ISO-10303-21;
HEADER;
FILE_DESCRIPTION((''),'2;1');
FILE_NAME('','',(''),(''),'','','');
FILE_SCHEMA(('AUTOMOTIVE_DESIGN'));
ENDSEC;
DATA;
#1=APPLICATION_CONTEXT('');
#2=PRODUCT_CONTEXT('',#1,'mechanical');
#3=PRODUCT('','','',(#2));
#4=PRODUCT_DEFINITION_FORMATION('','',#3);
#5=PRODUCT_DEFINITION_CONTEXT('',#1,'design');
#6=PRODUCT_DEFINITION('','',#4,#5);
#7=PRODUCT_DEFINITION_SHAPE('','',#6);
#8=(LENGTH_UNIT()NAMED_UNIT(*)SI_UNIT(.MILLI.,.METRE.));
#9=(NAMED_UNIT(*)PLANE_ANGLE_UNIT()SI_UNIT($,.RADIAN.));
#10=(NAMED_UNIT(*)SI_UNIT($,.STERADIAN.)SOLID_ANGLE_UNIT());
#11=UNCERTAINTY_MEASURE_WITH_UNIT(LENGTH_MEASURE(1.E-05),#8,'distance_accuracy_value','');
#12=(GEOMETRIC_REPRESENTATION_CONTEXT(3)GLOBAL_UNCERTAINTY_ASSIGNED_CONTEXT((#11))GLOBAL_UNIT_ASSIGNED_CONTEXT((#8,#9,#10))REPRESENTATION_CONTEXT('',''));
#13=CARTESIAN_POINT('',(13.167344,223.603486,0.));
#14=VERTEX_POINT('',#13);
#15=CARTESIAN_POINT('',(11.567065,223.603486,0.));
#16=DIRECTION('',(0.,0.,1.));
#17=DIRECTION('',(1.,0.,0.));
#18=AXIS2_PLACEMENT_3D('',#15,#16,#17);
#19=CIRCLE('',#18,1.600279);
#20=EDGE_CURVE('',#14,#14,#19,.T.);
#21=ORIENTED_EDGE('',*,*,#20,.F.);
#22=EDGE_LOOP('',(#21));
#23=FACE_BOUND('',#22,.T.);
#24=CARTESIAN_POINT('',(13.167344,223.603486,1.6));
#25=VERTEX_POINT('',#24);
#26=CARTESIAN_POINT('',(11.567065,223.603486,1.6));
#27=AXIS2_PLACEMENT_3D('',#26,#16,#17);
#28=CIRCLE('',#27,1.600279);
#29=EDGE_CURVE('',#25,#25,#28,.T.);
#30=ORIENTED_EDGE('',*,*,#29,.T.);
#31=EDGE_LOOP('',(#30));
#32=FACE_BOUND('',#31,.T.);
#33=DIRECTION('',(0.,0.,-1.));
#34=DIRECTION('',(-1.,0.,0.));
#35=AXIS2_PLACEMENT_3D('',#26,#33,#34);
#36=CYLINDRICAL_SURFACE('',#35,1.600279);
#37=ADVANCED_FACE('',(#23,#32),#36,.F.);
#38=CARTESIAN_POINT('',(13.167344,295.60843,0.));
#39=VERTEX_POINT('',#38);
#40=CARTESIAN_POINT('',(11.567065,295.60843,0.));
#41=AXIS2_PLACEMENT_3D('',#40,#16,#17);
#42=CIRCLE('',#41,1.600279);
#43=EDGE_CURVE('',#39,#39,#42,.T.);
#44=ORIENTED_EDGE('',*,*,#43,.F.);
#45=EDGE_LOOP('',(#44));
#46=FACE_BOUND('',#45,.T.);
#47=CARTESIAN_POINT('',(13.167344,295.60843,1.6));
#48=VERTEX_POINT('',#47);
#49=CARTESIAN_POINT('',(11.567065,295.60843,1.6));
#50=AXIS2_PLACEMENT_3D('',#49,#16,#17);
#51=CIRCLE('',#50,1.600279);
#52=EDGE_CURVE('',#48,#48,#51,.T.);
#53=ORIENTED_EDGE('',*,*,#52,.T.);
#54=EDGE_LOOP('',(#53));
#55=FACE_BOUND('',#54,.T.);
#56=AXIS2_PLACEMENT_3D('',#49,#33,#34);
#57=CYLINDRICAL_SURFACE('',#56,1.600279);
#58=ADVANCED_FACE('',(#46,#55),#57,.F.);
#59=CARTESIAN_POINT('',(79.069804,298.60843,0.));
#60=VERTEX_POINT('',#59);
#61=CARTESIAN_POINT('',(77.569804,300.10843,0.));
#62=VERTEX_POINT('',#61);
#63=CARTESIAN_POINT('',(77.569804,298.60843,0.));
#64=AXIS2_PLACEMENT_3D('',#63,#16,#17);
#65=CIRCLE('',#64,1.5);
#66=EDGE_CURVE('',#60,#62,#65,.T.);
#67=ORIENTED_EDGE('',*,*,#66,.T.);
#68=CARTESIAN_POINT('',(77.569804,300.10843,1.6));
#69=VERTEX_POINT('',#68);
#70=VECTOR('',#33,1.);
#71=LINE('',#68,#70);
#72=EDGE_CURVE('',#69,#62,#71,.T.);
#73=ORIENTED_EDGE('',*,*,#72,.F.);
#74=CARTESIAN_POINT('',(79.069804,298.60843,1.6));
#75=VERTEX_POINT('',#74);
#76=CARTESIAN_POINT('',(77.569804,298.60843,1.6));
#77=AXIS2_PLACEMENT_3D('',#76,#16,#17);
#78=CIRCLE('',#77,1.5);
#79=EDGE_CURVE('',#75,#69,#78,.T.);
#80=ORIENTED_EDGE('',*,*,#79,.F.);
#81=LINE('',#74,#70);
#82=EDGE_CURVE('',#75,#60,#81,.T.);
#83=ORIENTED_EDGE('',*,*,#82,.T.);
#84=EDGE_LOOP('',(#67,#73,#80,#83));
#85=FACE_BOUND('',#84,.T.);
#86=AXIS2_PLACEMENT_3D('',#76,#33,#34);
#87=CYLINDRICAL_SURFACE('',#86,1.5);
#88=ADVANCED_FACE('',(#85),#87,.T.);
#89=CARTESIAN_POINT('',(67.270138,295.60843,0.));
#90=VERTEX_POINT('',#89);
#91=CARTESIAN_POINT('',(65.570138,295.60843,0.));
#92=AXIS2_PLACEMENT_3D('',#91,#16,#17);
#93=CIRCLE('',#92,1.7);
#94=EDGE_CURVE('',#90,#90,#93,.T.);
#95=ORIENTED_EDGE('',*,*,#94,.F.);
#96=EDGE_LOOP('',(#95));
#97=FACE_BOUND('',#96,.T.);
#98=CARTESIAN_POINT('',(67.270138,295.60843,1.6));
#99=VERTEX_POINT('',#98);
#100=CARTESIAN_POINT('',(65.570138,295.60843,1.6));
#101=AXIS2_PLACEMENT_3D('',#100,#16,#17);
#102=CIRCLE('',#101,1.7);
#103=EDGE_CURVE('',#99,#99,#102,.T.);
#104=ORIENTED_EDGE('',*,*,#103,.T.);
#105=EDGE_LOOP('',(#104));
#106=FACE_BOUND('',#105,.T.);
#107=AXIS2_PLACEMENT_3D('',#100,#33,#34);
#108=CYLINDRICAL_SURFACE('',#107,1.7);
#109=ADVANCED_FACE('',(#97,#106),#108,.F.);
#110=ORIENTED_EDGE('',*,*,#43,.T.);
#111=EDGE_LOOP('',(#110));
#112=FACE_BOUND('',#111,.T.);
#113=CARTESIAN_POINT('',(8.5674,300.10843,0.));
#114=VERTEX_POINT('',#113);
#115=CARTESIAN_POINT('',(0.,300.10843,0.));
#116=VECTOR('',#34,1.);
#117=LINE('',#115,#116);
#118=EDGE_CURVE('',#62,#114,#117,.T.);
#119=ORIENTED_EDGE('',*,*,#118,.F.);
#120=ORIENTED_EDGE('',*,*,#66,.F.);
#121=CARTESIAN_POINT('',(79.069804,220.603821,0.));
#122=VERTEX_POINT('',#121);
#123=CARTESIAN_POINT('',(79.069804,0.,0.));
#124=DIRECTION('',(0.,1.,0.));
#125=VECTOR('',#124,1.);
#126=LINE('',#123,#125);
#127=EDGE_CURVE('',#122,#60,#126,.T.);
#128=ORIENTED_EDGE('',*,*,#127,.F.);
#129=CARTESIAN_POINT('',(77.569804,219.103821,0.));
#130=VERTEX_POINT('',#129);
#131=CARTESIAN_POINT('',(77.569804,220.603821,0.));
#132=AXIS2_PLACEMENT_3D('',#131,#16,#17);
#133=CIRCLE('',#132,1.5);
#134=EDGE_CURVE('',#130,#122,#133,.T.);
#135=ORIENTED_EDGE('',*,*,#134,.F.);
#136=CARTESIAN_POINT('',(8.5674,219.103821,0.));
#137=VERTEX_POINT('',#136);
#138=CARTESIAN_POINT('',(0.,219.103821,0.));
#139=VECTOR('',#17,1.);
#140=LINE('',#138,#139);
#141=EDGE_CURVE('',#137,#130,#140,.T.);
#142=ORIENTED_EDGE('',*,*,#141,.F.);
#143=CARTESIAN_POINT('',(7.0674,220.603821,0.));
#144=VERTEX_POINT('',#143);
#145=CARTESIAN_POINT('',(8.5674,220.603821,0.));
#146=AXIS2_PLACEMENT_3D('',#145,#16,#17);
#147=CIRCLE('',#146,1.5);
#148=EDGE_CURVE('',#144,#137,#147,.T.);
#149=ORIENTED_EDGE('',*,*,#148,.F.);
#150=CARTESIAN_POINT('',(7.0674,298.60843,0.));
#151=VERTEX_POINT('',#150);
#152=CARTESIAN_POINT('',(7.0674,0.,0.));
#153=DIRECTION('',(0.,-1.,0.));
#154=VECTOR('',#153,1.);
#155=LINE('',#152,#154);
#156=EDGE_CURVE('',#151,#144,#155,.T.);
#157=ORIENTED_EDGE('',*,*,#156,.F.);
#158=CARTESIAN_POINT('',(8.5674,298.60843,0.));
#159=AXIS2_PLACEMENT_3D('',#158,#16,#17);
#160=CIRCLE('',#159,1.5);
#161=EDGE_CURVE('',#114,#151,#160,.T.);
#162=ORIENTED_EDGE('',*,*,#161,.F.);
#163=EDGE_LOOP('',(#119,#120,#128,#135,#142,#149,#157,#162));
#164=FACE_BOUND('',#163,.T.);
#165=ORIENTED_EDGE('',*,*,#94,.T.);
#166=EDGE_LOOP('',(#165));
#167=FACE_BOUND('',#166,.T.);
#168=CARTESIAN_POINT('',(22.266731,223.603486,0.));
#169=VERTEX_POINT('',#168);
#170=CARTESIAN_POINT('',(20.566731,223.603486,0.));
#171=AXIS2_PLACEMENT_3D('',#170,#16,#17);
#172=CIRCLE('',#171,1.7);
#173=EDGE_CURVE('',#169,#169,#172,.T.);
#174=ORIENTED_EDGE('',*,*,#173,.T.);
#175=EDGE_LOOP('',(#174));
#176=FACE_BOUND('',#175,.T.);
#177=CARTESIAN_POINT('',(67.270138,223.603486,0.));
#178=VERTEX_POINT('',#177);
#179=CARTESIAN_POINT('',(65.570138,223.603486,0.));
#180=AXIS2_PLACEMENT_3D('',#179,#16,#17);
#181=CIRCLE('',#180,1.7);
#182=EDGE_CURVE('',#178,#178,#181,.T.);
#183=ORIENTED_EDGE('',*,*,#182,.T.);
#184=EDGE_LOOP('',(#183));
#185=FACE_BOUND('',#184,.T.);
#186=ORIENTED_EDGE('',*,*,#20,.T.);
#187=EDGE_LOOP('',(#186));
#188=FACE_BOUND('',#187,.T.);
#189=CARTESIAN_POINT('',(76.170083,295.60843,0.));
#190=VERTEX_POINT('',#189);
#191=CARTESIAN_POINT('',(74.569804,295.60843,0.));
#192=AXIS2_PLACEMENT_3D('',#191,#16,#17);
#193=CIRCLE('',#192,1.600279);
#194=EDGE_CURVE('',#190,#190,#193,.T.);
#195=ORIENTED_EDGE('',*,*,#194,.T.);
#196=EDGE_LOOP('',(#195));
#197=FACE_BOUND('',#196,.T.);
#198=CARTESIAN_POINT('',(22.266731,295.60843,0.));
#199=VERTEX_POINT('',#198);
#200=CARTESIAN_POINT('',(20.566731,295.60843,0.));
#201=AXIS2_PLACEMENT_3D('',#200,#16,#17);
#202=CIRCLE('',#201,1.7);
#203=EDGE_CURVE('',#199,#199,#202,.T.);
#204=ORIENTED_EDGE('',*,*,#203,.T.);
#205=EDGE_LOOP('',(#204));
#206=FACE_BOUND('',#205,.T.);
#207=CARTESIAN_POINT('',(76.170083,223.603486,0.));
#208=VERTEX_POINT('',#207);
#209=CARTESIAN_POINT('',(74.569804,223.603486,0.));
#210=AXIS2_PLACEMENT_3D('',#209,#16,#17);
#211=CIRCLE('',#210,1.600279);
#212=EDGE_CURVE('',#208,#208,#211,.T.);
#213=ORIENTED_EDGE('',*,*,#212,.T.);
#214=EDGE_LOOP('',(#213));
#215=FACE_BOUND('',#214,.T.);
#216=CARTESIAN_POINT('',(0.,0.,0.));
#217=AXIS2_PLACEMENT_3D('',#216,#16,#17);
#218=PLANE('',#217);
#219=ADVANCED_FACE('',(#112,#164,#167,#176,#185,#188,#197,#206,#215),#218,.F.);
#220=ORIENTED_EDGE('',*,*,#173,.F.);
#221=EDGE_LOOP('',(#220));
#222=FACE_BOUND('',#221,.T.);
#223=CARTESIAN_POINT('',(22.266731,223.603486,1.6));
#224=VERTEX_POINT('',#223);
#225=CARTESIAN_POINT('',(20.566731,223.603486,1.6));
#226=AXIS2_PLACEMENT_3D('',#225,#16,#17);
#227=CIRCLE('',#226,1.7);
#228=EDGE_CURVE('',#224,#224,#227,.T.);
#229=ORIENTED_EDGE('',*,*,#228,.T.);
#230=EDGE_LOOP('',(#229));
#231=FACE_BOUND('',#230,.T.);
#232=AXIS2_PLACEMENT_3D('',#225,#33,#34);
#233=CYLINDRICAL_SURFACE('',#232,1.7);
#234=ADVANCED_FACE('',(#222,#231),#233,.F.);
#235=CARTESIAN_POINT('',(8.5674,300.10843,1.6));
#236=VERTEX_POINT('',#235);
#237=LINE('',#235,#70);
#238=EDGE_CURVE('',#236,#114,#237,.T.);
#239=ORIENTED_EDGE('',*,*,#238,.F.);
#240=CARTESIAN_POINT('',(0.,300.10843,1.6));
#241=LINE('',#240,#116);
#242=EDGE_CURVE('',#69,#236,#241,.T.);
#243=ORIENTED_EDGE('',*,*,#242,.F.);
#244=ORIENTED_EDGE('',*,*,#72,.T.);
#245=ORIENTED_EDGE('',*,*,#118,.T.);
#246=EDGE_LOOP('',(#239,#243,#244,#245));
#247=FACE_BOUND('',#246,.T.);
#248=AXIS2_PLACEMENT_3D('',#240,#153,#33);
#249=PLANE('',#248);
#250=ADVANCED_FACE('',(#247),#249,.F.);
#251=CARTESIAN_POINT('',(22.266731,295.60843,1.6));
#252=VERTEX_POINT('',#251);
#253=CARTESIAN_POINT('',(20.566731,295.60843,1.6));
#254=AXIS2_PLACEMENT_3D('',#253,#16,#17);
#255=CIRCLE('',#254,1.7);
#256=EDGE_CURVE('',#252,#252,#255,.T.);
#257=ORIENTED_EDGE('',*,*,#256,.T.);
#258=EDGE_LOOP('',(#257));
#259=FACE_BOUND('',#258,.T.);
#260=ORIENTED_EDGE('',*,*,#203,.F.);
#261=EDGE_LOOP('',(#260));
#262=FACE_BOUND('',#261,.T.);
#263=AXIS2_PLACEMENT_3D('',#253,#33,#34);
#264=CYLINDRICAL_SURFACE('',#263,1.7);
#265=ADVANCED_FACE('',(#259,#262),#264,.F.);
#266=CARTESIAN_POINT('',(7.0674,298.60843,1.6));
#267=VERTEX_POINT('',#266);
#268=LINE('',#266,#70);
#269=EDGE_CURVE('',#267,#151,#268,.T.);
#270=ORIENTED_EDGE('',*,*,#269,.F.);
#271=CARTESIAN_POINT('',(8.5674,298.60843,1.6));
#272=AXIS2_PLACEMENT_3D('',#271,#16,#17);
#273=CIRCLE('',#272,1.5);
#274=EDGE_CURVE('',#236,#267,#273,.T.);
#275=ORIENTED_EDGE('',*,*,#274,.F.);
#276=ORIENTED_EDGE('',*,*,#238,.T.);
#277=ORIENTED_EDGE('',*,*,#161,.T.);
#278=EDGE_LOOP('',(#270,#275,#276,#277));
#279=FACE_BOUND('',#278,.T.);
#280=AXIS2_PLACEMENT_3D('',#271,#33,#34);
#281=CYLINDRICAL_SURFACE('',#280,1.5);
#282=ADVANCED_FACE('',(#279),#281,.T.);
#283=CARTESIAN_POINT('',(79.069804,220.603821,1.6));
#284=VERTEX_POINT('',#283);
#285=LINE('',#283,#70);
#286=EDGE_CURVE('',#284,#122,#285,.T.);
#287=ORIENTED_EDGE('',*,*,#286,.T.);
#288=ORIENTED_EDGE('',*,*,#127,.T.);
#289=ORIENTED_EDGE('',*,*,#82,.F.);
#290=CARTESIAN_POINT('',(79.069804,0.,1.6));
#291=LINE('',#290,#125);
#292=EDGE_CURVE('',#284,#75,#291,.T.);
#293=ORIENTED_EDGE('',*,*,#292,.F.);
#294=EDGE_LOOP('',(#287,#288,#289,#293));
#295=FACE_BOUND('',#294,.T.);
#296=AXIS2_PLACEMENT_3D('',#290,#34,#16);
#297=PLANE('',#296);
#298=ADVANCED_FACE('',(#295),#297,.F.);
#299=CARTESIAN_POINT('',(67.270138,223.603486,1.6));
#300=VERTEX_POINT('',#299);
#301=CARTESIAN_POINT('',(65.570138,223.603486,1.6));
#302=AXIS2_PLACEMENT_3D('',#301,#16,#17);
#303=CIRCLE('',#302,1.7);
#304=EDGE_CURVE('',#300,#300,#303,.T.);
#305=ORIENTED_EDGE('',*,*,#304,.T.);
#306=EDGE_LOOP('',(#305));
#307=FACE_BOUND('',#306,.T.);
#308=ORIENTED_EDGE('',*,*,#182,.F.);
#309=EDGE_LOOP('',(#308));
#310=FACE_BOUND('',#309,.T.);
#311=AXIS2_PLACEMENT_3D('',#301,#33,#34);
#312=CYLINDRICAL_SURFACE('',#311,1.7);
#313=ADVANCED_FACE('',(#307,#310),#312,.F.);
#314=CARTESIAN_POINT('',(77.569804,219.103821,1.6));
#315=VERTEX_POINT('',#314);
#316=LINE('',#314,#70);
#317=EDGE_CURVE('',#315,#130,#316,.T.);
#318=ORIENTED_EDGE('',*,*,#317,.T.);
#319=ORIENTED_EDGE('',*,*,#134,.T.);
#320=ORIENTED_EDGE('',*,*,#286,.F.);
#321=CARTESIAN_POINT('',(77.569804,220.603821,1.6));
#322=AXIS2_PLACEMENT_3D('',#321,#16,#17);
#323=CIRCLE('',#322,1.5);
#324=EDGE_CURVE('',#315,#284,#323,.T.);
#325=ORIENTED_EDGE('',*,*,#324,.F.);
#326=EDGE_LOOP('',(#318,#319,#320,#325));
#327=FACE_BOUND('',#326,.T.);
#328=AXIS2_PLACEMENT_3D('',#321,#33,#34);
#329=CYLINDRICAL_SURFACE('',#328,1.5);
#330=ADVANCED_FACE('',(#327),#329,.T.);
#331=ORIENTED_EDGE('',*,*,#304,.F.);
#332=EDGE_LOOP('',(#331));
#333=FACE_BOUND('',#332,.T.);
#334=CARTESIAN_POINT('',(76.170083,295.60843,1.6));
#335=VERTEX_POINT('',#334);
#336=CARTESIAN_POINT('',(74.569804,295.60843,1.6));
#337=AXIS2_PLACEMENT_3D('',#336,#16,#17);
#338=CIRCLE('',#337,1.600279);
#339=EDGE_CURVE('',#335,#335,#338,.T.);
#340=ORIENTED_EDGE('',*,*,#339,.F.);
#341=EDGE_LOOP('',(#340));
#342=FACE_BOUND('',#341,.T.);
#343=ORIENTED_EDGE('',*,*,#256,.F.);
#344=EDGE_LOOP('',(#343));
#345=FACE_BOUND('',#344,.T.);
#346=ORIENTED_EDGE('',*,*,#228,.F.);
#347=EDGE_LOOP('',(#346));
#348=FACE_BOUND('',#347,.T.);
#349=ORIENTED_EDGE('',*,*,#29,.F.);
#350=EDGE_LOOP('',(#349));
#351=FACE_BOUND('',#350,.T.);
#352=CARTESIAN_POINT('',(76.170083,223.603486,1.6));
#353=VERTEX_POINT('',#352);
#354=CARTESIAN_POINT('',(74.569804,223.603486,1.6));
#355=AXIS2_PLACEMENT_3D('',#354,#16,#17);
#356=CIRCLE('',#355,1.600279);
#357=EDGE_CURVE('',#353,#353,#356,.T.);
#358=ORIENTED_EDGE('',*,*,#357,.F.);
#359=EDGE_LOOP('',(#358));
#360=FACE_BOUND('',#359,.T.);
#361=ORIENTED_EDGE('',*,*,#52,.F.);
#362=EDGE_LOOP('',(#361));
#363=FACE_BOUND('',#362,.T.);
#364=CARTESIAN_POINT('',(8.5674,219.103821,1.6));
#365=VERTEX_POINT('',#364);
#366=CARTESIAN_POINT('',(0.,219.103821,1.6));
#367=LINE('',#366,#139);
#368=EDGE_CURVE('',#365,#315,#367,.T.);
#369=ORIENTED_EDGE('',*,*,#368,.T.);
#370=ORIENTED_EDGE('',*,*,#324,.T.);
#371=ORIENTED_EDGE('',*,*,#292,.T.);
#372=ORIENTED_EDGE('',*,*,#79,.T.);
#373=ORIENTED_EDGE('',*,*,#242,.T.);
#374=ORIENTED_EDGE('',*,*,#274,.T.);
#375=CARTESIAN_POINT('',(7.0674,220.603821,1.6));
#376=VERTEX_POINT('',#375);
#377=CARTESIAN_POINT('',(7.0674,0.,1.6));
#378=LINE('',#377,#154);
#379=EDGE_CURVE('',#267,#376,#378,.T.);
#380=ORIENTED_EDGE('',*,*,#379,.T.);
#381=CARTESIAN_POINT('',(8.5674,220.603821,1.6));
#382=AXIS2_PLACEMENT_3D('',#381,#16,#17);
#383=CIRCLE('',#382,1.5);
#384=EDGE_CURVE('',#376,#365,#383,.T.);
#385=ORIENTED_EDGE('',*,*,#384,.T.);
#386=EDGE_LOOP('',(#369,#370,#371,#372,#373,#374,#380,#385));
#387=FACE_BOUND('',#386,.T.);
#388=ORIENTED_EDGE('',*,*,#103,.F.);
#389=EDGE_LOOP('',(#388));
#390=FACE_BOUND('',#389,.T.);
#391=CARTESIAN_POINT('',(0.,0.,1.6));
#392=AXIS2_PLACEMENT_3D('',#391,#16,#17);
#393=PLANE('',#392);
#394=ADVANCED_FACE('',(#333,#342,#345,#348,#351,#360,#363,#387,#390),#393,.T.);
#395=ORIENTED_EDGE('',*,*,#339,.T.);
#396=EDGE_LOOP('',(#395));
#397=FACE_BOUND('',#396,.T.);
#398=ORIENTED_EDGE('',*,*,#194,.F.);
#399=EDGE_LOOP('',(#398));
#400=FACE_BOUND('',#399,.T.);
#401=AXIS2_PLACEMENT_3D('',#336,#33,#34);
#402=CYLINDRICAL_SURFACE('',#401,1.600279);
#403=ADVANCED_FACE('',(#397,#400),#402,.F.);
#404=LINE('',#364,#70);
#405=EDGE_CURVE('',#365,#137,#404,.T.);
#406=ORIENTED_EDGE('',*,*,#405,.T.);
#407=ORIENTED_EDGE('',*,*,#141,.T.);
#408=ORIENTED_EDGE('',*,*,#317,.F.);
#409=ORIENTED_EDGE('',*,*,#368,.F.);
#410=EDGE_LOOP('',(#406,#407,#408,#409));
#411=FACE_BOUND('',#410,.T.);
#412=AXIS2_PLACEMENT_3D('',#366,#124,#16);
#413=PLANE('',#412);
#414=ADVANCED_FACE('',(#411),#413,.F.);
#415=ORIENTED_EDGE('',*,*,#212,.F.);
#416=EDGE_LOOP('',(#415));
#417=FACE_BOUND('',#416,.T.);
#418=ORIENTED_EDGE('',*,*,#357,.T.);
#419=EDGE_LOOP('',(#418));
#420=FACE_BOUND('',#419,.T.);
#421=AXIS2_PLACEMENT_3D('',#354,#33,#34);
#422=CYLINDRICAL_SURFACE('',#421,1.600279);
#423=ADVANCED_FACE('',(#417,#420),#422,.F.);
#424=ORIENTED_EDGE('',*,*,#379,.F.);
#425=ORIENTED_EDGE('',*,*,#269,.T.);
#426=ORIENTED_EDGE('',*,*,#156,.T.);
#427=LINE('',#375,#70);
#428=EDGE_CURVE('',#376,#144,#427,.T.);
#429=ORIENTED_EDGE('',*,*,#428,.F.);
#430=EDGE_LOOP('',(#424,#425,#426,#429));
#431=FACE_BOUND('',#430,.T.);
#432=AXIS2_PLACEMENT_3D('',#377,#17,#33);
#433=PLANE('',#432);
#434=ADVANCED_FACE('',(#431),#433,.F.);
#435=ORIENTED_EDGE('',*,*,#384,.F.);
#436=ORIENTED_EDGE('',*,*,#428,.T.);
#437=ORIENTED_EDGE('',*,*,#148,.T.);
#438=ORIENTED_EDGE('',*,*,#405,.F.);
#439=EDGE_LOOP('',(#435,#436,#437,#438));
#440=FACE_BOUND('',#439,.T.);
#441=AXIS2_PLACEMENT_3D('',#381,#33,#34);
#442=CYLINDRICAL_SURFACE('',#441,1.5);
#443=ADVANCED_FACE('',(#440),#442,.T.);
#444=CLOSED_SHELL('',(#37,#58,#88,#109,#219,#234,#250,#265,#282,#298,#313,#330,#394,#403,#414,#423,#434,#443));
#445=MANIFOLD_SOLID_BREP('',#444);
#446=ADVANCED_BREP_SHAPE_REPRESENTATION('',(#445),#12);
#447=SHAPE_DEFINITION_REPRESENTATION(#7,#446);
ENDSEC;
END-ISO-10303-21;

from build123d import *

# Parameters (mm, degrees)
MODEL_R                 = 1.7
MODEL_R_2               = 1.600279216
SALIENTE_EXTRUIR1_DEPTH = 1.6


with BuildPart() as part:
    # Model → Saliente-Extruir1 (new body)
    with BuildSketch(Plane.XY):
        with BuildLine():
            Line((79.069803803, 220.603820632), (79.069803803, 298.60843049))
            ThreePointArc((79.069803803, 298.60843049), (78.630463975, 299.669090662), (77.569803803, 300.10843049))
            Line((77.569803803, 300.10843049), (8.567399569, 300.10843049))
            ThreePointArc((8.567399569, 300.10843049), (7.506739397, 299.669090662), (7.067399569, 298.60843049))
            Line((7.067399569, 298.60843049), (7.067399569, 220.603820632))
            ThreePointArc((7.067399569, 220.603820632), (7.506739397, 219.54316046), (8.567399569, 219.103820632))
            Line((8.567399569, 219.103820632), (77.569803803, 219.103820632))
            ThreePointArc((77.569803803, 219.103820632), (78.630463975, 219.54316046), (79.069803803, 220.603820632))
        make_face()
        with Locations((20.566730565, 223.60348613)):
            Circle(MODEL_R, mode=Mode.SUBTRACT)
        with Locations((65.570138305, 223.60348613)):
            Circle(MODEL_R, mode=Mode.SUBTRACT)
        with Locations((11.567065067, 223.60348613)):
            Circle(MODEL_R_2, mode=Mode.SUBTRACT)
        with Locations((74.569803803, 223.60348613)):
            Circle(MODEL_R_2, mode=Mode.SUBTRACT)
        with Locations((20.566730565, 295.60843049)):
            Circle(MODEL_R, mode=Mode.SUBTRACT)
        with Locations((65.570138305, 295.60843049)):
            Circle(MODEL_R, mode=Mode.SUBTRACT)
        with Locations((74.569803803, 295.60843049)):
            Circle(MODEL_R_2, mode=Mode.SUBTRACT)
        with Locations((11.567065067, 295.60843049)):
            Circle(MODEL_R_2, mode=Mode.SUBTRACT)
    extrude(amount=SALIENTE_EXTRUIR1_DEPTH)


solid = part.part
